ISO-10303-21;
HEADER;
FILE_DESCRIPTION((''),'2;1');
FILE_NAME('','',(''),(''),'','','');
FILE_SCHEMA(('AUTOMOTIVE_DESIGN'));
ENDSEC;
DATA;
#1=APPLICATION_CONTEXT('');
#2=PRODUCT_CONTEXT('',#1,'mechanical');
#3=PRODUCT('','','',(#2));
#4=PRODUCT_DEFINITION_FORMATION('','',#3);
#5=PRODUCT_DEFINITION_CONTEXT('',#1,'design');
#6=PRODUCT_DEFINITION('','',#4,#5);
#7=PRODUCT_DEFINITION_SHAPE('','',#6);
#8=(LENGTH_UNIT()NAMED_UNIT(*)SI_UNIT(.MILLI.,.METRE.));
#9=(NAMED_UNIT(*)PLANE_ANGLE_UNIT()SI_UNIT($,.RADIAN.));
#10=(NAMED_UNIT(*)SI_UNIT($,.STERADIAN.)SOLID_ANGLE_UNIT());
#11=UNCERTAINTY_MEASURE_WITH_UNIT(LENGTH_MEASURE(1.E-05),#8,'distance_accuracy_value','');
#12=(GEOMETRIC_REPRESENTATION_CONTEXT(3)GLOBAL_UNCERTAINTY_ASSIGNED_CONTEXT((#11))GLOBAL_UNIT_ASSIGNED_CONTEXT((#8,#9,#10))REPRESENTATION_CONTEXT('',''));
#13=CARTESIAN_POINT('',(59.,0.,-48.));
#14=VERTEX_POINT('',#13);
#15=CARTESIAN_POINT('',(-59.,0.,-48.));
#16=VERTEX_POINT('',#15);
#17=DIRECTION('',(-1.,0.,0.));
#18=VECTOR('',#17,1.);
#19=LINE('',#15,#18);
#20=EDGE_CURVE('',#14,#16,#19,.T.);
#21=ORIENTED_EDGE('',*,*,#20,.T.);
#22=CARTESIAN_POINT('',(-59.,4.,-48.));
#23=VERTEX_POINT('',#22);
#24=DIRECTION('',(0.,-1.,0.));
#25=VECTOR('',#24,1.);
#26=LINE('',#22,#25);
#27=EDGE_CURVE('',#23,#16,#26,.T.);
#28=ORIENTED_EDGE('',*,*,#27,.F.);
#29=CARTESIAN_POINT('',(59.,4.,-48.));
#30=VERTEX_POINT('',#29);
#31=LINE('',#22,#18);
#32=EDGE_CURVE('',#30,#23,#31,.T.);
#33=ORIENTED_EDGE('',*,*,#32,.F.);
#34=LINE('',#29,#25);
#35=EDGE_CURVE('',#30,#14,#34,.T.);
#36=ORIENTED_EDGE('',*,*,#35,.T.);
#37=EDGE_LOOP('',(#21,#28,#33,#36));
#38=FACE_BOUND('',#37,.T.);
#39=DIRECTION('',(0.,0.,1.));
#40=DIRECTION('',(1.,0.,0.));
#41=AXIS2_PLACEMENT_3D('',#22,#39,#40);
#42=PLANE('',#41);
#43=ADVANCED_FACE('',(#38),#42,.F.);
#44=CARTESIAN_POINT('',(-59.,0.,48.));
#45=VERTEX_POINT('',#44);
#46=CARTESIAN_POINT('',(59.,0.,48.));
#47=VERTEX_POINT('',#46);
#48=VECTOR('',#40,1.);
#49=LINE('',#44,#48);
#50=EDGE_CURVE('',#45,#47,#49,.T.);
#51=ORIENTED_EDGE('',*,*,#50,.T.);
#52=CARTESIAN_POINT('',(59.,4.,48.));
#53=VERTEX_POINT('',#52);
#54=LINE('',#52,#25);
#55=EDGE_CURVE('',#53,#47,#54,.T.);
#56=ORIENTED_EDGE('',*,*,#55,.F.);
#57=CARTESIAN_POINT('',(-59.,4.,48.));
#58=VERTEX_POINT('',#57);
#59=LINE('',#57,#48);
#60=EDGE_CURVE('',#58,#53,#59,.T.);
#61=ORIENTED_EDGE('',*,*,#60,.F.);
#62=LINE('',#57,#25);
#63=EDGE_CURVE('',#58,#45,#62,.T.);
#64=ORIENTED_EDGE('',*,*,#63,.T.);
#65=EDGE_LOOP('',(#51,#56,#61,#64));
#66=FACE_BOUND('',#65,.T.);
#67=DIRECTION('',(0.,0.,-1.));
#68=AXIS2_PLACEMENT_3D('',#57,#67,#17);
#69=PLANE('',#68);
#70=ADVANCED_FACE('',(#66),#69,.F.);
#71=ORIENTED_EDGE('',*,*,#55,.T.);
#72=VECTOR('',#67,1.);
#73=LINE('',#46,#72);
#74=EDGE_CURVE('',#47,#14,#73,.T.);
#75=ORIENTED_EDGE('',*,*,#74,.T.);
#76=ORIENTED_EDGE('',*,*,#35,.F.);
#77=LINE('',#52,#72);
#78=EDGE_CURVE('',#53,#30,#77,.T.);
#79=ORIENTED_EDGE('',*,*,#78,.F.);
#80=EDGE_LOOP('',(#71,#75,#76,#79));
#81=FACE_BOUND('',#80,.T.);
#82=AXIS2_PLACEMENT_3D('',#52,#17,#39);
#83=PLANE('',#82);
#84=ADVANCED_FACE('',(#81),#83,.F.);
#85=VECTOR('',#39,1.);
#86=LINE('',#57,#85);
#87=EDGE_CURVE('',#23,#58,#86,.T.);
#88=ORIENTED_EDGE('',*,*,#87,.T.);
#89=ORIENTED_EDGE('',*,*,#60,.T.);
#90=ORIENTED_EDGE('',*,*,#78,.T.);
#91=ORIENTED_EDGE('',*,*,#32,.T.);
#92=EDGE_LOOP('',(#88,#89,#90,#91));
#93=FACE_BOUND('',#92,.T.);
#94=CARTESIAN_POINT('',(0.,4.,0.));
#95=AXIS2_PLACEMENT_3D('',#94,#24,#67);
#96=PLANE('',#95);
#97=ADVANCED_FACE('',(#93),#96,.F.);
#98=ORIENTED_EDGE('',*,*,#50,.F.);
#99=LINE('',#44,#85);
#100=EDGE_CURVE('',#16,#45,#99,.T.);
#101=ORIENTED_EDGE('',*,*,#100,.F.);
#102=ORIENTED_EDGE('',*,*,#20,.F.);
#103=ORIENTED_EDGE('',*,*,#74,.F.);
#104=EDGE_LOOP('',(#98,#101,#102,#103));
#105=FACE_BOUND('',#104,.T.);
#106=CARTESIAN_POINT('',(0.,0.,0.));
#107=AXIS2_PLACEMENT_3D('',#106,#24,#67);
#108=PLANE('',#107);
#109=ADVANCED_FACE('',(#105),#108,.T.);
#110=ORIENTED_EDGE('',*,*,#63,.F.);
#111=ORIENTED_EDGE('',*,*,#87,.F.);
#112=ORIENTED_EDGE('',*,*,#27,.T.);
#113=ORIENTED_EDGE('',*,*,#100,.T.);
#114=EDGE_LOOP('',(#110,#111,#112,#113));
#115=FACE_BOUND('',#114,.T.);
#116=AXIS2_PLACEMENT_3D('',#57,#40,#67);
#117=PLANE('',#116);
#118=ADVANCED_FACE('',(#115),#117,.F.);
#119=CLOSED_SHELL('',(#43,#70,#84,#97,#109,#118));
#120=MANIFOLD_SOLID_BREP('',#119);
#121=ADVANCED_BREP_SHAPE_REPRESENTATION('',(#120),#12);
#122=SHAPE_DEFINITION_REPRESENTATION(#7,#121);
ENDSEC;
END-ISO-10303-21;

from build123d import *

# Parameters (mm, degrees)
SKETCH1_W           = 118
SKETCH1_H           = 96
BOSS_EXTRUDE1_DEPTH = 4


with BuildPart() as part:
    # Sketch1 → Boss-Extrude1 (new body)
    with BuildSketch(Plane(origin=(0, 0, 0), x_dir=(1, 0, 0), z_dir=(0, 1, 0))):
        Rectangle(SKETCH1_W, SKETCH1_H)
    extrude(amount=BOSS_EXTRUDE1_DEPTH)


solid = part.part
